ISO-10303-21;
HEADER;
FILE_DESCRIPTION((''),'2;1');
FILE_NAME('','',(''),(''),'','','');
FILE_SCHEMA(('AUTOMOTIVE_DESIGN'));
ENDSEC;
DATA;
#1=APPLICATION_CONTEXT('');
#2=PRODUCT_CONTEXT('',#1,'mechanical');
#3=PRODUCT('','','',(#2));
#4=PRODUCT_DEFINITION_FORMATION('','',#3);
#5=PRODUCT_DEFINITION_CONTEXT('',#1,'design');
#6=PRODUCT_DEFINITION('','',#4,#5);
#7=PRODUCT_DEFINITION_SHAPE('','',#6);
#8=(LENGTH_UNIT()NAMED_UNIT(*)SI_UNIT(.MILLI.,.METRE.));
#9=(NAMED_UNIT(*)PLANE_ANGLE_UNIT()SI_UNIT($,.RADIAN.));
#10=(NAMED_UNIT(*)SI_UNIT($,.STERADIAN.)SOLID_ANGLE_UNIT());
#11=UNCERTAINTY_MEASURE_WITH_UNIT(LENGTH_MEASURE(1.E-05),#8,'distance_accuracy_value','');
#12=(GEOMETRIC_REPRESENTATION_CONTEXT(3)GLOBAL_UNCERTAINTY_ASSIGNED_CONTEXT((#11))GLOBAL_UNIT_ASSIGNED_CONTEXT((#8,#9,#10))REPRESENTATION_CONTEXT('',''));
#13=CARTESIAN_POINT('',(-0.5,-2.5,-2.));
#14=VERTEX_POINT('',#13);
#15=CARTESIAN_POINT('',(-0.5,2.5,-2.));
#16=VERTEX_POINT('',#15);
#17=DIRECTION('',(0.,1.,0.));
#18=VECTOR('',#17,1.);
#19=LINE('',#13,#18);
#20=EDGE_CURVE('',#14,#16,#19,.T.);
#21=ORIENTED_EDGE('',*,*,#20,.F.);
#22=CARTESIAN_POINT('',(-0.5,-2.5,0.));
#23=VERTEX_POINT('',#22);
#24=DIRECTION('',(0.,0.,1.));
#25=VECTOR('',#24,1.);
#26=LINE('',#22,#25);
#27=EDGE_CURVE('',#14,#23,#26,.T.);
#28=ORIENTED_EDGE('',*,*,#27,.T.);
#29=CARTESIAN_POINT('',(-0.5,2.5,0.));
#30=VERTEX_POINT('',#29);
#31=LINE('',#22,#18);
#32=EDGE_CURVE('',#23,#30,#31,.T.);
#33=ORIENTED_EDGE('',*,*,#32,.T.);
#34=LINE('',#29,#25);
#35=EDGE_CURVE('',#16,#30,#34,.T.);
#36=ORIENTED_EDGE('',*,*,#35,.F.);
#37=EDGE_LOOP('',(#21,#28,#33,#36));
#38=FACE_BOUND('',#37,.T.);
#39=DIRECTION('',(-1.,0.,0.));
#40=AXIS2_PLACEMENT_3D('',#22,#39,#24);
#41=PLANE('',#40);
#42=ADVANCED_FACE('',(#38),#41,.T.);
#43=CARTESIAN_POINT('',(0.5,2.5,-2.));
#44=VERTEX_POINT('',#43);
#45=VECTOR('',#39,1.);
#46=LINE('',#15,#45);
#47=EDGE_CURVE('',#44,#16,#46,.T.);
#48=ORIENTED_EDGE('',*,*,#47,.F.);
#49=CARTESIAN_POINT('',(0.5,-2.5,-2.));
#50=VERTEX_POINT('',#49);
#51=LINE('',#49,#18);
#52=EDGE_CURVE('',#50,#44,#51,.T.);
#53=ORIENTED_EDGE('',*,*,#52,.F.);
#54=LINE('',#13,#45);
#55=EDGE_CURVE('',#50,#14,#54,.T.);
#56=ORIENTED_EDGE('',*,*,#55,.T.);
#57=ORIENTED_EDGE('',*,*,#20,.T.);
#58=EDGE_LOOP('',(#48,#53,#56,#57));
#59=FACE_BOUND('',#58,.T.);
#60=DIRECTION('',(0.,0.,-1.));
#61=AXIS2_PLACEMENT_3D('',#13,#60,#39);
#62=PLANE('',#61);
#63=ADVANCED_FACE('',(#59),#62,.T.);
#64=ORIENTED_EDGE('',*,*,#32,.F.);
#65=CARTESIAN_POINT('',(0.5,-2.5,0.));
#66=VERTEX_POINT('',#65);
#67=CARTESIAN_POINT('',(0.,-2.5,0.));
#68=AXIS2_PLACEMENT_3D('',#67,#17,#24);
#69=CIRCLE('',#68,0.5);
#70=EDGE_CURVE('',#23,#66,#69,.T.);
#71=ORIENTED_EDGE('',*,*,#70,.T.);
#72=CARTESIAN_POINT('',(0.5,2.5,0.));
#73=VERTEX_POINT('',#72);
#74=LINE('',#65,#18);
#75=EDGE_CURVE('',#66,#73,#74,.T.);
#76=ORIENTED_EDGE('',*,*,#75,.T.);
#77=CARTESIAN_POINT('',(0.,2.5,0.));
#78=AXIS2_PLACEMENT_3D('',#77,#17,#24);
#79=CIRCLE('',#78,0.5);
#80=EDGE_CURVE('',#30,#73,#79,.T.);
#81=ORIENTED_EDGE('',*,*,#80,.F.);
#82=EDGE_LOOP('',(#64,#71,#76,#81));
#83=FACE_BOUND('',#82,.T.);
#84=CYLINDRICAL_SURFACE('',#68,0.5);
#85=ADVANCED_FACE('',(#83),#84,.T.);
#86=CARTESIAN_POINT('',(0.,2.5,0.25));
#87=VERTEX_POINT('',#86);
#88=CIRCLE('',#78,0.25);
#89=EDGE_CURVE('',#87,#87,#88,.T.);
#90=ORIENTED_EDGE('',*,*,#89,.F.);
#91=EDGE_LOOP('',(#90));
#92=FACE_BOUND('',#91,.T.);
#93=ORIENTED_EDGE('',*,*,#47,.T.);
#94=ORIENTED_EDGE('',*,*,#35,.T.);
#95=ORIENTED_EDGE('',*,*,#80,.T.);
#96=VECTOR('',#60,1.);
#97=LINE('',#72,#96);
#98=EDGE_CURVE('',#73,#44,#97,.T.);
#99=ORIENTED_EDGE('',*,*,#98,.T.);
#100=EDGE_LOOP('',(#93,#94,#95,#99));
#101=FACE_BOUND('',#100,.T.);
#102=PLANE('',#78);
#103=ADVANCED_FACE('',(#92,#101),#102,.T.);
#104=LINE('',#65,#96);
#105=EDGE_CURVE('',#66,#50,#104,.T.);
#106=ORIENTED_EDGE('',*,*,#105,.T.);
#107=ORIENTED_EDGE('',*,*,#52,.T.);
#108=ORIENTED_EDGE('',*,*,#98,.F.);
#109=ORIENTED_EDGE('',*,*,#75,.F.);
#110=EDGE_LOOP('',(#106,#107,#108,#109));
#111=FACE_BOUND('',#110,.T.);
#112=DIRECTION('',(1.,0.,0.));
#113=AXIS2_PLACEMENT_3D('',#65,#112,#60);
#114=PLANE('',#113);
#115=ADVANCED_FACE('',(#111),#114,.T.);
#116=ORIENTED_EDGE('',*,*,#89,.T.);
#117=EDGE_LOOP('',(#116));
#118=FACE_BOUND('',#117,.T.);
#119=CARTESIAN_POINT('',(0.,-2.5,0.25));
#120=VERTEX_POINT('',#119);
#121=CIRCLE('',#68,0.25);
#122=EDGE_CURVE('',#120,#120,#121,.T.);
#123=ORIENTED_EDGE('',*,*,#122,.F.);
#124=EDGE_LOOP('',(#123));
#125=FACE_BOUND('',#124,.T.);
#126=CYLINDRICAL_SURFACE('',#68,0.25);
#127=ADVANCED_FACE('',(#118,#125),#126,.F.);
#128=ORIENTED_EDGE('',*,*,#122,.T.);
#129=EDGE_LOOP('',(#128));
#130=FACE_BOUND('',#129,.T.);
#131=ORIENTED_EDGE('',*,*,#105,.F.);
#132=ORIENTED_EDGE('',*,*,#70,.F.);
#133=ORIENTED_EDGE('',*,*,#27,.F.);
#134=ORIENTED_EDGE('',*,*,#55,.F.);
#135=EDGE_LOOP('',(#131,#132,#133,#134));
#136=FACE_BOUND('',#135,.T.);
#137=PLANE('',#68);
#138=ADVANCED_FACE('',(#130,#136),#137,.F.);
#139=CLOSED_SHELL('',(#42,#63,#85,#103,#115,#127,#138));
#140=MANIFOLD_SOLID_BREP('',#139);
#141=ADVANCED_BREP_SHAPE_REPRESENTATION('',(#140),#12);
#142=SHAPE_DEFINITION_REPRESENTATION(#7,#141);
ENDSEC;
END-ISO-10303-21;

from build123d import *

# Parameters (mm, degrees)
SALIENTE_EXTRUIR1_DEPTH      = 2.5
SALIENTE_EXTRUIR1_DEPTH_BACK = 2.5
CROQUIS1_R                   = 0.25


with BuildPart() as part:
    # Croquis1 → Saliente-Extruir1 (new, two sides: drawn at the far end of the back side and taken through both)
    with BuildSketch(Plane(origin=(0, 0, 0), x_dir=(1, 0, 0), z_dir=(0, 1, 0)).offset(-SALIENTE_EXTRUIR1_DEPTH_BACK)):
        with BuildLine():
            Line((-0.5, 2), (0.5, 2))
            Line((0.5, 2), (0.5, 0))
            ThreePointArc((0.5, 0), (0, -0.5), (-0.5, 0))
            Line((-0.5, 0), (-0.5, 2))
        make_face()
        Circle(CROQUIS1_R, mode=Mode.SUBTRACT)
    extrude(amount=SALIENTE_EXTRUIR1_DEPTH + SALIENTE_EXTRUIR1_DEPTH_BACK)


solid = part.part
